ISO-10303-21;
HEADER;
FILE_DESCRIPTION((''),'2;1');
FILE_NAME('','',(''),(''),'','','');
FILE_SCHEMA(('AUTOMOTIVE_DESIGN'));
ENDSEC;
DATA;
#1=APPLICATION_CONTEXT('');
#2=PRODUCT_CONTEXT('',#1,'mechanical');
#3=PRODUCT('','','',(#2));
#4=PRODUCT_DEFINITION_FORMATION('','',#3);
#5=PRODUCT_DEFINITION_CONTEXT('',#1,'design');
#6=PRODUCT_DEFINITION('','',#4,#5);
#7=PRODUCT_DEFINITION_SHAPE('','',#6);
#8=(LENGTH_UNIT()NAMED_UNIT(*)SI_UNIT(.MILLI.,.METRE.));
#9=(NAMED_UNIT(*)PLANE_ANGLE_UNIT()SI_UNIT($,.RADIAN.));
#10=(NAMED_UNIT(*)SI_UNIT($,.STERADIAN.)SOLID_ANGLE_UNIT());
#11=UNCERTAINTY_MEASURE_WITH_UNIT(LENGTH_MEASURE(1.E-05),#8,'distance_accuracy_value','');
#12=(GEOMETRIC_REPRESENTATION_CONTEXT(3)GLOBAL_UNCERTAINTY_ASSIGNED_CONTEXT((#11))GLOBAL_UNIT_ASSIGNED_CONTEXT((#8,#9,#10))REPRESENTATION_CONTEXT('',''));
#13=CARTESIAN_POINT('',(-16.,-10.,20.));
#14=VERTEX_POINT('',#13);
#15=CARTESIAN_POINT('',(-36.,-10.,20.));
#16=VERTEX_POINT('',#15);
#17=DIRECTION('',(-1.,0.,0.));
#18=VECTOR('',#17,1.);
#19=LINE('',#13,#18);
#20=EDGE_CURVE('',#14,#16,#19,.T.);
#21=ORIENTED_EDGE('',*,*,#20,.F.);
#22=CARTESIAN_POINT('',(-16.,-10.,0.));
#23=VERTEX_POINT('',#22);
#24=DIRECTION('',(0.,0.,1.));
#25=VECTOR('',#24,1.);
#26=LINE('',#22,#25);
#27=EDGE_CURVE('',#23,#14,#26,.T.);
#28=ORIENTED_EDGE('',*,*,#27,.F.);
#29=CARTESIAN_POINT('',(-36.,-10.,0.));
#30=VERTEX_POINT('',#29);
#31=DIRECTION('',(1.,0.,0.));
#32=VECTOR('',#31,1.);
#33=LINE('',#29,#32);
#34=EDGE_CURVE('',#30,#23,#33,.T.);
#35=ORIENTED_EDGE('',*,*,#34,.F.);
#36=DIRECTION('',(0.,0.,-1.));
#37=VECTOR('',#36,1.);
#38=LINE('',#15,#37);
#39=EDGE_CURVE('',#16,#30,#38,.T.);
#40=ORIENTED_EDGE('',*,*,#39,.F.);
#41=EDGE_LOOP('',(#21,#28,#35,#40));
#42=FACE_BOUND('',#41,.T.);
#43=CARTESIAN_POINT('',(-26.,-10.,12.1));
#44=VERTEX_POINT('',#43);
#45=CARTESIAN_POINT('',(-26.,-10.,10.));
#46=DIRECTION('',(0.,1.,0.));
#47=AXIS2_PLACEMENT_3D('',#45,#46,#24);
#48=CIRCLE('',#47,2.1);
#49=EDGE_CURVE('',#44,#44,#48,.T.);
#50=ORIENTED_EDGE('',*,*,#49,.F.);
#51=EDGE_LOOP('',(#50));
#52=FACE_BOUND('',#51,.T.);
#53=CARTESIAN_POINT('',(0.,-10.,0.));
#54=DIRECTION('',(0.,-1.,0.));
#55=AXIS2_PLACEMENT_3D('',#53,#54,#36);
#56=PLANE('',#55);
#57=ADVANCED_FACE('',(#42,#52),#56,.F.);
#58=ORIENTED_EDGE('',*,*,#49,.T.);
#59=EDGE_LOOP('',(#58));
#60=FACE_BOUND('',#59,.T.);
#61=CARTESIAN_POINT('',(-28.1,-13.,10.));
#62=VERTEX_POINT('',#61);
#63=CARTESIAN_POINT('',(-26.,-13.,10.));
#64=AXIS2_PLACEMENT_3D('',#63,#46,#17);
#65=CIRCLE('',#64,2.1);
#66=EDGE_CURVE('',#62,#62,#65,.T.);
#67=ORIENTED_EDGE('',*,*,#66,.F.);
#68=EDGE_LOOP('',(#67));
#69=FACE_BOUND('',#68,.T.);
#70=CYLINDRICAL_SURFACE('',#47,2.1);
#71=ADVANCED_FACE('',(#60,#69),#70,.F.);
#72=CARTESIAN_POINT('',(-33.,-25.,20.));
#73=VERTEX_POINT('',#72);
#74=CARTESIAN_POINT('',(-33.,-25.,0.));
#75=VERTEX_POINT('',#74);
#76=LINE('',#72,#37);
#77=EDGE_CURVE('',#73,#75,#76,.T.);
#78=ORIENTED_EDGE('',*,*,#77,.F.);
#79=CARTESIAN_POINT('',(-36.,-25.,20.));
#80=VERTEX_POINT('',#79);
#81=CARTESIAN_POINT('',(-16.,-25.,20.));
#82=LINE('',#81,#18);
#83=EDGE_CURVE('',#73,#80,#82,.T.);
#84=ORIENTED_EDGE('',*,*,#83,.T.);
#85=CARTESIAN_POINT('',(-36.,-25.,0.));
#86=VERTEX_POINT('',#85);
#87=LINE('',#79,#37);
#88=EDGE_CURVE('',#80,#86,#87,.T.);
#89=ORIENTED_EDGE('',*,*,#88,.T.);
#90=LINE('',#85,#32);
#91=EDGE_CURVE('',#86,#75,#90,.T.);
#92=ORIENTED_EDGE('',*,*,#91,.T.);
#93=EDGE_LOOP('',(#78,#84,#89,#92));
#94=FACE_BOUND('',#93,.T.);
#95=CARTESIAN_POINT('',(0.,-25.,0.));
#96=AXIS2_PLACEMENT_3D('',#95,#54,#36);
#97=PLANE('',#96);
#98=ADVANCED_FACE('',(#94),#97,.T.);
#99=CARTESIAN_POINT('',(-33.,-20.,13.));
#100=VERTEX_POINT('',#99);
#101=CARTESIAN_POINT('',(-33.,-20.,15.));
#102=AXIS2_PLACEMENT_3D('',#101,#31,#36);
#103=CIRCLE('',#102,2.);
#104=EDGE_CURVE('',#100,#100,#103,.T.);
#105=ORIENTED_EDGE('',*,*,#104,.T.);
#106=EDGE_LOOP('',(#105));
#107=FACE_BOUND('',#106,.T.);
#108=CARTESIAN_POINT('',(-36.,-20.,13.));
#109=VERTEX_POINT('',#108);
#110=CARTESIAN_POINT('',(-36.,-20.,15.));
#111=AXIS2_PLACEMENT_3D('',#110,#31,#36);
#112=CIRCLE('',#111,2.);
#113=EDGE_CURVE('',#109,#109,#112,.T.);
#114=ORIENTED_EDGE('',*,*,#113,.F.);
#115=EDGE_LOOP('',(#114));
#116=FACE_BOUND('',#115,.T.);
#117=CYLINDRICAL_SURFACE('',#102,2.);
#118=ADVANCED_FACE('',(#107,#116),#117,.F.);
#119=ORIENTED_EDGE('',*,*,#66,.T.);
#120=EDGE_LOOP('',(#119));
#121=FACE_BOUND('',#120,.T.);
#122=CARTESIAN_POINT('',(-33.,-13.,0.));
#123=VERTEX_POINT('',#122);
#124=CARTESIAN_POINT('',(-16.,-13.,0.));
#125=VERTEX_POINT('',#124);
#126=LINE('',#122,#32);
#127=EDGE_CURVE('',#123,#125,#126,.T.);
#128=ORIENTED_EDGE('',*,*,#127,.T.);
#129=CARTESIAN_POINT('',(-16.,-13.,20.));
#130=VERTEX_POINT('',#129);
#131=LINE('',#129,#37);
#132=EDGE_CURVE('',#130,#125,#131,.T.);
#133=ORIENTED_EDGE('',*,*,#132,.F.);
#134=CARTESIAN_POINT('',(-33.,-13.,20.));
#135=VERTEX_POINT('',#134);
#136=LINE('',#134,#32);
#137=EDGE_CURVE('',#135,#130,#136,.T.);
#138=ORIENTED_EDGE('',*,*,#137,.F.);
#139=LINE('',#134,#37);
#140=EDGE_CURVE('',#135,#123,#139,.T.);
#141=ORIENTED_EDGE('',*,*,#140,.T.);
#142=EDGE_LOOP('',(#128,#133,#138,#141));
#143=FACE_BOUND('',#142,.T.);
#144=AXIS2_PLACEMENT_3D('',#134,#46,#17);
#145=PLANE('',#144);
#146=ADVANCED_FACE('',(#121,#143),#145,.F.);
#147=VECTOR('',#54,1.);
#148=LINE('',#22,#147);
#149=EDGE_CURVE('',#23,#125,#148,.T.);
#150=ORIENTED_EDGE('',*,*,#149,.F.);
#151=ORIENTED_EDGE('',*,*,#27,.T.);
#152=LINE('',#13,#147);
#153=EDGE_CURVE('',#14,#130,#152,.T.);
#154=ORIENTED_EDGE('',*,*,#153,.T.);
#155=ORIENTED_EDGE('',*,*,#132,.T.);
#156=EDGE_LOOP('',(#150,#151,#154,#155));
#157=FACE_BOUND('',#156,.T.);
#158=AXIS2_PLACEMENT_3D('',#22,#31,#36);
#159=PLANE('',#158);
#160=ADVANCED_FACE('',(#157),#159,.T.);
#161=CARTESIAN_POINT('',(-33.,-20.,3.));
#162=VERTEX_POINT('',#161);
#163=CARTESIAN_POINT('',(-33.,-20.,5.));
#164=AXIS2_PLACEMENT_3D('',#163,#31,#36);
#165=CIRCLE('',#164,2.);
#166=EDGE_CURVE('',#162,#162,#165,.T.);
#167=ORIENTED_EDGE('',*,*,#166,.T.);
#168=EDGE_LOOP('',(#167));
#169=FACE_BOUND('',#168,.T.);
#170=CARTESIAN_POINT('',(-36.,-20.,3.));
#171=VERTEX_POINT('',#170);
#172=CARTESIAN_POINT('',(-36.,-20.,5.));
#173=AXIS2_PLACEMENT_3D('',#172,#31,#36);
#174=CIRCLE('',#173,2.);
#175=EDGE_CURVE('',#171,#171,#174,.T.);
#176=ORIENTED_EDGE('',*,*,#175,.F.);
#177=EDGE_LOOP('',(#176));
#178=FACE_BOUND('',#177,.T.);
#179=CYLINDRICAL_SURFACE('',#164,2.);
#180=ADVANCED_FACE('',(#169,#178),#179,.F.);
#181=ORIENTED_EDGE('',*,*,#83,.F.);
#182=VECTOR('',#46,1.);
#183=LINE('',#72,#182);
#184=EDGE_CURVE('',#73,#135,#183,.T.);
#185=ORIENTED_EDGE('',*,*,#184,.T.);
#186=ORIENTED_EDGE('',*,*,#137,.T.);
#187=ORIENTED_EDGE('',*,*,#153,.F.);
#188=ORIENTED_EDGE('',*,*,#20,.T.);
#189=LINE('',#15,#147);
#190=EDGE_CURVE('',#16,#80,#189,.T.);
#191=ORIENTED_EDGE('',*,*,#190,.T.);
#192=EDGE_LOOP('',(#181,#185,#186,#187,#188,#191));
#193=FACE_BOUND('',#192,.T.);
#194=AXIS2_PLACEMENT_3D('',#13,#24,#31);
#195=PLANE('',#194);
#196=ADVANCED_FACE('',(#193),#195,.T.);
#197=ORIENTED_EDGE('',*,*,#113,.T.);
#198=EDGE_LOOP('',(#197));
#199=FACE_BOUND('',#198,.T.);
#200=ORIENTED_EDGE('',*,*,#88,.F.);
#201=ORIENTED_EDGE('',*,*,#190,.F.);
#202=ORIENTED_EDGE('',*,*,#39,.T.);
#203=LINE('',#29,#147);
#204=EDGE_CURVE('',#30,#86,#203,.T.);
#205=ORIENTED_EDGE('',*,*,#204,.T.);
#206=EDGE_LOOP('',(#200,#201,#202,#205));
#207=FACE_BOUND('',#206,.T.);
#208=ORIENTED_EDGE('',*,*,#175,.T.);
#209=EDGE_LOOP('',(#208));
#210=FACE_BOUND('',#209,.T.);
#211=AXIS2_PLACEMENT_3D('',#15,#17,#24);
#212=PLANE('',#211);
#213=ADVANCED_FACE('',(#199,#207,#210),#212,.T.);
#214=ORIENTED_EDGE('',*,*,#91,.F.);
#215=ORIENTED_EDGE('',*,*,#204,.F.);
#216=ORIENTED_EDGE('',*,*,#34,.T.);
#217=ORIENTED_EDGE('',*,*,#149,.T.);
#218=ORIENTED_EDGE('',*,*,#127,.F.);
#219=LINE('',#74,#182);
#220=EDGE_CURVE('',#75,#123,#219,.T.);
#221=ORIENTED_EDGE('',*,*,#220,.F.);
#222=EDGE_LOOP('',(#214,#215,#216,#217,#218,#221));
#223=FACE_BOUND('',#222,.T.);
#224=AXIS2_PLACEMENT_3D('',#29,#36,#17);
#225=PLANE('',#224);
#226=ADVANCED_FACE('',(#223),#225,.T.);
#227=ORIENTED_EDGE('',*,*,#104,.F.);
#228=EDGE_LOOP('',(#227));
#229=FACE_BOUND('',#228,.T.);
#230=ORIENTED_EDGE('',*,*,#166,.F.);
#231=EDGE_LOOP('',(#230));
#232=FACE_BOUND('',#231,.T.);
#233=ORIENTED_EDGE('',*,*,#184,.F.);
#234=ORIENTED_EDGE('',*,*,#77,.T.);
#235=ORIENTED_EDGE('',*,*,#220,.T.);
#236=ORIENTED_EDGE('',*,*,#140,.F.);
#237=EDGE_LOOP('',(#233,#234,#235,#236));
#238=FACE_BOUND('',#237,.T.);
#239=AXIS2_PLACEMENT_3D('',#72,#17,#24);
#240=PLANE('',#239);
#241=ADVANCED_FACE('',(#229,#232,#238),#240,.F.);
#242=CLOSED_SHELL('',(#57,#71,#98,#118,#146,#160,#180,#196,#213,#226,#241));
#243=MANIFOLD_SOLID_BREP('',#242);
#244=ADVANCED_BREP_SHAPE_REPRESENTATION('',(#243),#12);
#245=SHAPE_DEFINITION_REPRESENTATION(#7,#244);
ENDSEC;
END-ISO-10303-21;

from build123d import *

# Parameters (mm, degrees)
SKETCH_1_W                  = 20
SKETCH_1_H                  = 20
EXTRUDE_1_DEPTH             = 15
SKETCH_2_W                  = 17
SKETCH_2_H                  = 12
CUT_EXTRUDE_1_DEPTH         = 49.176757882
HOLE_WIZARD_4_2_4_2_1_D     = 4.2
HOLE_WIZARD_4_2_4_2_1_DEPTH = 15
HOLE_WIZARD_4_0_4_1_D       = 4


with BuildPart() as part:
    # 草图1 → 凸台-拉伸1 (new body)
    with BuildSketch(Plane.XZ.offset(25)):
        with Locations((-26, 10)):
            Rectangle(SKETCH_1_W, SKETCH_1_H)
    extrude(amount=-EXTRUDE_1_DEPTH)

    # 草图2 → 切除-拉伸1 (cut, through all)
    with BuildSketch(Plane(origin=(0, 0, 0), x_dir=(-1, 0, 0), z_dir=(0, 0, -1))):
        with Locations((24.5, -19)):
            Rectangle(SKETCH_2_W, SKETCH_2_H)
    extrude(amount=-CUT_EXTRUDE_1_DEPTH, mode=Mode.SUBTRACT)

    # Ø4.2 (4.2) 直径孔1
    with Locations(Plane(origin=(0, -10, 0), x_dir=(1, 0, 0), z_dir=(0, 1, 0))):
        with Locations((-26, -10)):
            Hole(HOLE_WIZARD_4_2_4_2_1_D / 2, depth=HOLE_WIZARD_4_2_4_2_1_DEPTH)

    # Ø4.0 (4) 直径孔1 (through all)
    with Locations(Plane(origin=(-33, 0, 0), x_dir=(0, 0, -1), z_dir=(1, 0, 0))):
        with Locations((-15, -20), (-5, -20)):
            Hole(HOLE_WIZARD_4_0_4_1_D / 2)


solid = part.part
